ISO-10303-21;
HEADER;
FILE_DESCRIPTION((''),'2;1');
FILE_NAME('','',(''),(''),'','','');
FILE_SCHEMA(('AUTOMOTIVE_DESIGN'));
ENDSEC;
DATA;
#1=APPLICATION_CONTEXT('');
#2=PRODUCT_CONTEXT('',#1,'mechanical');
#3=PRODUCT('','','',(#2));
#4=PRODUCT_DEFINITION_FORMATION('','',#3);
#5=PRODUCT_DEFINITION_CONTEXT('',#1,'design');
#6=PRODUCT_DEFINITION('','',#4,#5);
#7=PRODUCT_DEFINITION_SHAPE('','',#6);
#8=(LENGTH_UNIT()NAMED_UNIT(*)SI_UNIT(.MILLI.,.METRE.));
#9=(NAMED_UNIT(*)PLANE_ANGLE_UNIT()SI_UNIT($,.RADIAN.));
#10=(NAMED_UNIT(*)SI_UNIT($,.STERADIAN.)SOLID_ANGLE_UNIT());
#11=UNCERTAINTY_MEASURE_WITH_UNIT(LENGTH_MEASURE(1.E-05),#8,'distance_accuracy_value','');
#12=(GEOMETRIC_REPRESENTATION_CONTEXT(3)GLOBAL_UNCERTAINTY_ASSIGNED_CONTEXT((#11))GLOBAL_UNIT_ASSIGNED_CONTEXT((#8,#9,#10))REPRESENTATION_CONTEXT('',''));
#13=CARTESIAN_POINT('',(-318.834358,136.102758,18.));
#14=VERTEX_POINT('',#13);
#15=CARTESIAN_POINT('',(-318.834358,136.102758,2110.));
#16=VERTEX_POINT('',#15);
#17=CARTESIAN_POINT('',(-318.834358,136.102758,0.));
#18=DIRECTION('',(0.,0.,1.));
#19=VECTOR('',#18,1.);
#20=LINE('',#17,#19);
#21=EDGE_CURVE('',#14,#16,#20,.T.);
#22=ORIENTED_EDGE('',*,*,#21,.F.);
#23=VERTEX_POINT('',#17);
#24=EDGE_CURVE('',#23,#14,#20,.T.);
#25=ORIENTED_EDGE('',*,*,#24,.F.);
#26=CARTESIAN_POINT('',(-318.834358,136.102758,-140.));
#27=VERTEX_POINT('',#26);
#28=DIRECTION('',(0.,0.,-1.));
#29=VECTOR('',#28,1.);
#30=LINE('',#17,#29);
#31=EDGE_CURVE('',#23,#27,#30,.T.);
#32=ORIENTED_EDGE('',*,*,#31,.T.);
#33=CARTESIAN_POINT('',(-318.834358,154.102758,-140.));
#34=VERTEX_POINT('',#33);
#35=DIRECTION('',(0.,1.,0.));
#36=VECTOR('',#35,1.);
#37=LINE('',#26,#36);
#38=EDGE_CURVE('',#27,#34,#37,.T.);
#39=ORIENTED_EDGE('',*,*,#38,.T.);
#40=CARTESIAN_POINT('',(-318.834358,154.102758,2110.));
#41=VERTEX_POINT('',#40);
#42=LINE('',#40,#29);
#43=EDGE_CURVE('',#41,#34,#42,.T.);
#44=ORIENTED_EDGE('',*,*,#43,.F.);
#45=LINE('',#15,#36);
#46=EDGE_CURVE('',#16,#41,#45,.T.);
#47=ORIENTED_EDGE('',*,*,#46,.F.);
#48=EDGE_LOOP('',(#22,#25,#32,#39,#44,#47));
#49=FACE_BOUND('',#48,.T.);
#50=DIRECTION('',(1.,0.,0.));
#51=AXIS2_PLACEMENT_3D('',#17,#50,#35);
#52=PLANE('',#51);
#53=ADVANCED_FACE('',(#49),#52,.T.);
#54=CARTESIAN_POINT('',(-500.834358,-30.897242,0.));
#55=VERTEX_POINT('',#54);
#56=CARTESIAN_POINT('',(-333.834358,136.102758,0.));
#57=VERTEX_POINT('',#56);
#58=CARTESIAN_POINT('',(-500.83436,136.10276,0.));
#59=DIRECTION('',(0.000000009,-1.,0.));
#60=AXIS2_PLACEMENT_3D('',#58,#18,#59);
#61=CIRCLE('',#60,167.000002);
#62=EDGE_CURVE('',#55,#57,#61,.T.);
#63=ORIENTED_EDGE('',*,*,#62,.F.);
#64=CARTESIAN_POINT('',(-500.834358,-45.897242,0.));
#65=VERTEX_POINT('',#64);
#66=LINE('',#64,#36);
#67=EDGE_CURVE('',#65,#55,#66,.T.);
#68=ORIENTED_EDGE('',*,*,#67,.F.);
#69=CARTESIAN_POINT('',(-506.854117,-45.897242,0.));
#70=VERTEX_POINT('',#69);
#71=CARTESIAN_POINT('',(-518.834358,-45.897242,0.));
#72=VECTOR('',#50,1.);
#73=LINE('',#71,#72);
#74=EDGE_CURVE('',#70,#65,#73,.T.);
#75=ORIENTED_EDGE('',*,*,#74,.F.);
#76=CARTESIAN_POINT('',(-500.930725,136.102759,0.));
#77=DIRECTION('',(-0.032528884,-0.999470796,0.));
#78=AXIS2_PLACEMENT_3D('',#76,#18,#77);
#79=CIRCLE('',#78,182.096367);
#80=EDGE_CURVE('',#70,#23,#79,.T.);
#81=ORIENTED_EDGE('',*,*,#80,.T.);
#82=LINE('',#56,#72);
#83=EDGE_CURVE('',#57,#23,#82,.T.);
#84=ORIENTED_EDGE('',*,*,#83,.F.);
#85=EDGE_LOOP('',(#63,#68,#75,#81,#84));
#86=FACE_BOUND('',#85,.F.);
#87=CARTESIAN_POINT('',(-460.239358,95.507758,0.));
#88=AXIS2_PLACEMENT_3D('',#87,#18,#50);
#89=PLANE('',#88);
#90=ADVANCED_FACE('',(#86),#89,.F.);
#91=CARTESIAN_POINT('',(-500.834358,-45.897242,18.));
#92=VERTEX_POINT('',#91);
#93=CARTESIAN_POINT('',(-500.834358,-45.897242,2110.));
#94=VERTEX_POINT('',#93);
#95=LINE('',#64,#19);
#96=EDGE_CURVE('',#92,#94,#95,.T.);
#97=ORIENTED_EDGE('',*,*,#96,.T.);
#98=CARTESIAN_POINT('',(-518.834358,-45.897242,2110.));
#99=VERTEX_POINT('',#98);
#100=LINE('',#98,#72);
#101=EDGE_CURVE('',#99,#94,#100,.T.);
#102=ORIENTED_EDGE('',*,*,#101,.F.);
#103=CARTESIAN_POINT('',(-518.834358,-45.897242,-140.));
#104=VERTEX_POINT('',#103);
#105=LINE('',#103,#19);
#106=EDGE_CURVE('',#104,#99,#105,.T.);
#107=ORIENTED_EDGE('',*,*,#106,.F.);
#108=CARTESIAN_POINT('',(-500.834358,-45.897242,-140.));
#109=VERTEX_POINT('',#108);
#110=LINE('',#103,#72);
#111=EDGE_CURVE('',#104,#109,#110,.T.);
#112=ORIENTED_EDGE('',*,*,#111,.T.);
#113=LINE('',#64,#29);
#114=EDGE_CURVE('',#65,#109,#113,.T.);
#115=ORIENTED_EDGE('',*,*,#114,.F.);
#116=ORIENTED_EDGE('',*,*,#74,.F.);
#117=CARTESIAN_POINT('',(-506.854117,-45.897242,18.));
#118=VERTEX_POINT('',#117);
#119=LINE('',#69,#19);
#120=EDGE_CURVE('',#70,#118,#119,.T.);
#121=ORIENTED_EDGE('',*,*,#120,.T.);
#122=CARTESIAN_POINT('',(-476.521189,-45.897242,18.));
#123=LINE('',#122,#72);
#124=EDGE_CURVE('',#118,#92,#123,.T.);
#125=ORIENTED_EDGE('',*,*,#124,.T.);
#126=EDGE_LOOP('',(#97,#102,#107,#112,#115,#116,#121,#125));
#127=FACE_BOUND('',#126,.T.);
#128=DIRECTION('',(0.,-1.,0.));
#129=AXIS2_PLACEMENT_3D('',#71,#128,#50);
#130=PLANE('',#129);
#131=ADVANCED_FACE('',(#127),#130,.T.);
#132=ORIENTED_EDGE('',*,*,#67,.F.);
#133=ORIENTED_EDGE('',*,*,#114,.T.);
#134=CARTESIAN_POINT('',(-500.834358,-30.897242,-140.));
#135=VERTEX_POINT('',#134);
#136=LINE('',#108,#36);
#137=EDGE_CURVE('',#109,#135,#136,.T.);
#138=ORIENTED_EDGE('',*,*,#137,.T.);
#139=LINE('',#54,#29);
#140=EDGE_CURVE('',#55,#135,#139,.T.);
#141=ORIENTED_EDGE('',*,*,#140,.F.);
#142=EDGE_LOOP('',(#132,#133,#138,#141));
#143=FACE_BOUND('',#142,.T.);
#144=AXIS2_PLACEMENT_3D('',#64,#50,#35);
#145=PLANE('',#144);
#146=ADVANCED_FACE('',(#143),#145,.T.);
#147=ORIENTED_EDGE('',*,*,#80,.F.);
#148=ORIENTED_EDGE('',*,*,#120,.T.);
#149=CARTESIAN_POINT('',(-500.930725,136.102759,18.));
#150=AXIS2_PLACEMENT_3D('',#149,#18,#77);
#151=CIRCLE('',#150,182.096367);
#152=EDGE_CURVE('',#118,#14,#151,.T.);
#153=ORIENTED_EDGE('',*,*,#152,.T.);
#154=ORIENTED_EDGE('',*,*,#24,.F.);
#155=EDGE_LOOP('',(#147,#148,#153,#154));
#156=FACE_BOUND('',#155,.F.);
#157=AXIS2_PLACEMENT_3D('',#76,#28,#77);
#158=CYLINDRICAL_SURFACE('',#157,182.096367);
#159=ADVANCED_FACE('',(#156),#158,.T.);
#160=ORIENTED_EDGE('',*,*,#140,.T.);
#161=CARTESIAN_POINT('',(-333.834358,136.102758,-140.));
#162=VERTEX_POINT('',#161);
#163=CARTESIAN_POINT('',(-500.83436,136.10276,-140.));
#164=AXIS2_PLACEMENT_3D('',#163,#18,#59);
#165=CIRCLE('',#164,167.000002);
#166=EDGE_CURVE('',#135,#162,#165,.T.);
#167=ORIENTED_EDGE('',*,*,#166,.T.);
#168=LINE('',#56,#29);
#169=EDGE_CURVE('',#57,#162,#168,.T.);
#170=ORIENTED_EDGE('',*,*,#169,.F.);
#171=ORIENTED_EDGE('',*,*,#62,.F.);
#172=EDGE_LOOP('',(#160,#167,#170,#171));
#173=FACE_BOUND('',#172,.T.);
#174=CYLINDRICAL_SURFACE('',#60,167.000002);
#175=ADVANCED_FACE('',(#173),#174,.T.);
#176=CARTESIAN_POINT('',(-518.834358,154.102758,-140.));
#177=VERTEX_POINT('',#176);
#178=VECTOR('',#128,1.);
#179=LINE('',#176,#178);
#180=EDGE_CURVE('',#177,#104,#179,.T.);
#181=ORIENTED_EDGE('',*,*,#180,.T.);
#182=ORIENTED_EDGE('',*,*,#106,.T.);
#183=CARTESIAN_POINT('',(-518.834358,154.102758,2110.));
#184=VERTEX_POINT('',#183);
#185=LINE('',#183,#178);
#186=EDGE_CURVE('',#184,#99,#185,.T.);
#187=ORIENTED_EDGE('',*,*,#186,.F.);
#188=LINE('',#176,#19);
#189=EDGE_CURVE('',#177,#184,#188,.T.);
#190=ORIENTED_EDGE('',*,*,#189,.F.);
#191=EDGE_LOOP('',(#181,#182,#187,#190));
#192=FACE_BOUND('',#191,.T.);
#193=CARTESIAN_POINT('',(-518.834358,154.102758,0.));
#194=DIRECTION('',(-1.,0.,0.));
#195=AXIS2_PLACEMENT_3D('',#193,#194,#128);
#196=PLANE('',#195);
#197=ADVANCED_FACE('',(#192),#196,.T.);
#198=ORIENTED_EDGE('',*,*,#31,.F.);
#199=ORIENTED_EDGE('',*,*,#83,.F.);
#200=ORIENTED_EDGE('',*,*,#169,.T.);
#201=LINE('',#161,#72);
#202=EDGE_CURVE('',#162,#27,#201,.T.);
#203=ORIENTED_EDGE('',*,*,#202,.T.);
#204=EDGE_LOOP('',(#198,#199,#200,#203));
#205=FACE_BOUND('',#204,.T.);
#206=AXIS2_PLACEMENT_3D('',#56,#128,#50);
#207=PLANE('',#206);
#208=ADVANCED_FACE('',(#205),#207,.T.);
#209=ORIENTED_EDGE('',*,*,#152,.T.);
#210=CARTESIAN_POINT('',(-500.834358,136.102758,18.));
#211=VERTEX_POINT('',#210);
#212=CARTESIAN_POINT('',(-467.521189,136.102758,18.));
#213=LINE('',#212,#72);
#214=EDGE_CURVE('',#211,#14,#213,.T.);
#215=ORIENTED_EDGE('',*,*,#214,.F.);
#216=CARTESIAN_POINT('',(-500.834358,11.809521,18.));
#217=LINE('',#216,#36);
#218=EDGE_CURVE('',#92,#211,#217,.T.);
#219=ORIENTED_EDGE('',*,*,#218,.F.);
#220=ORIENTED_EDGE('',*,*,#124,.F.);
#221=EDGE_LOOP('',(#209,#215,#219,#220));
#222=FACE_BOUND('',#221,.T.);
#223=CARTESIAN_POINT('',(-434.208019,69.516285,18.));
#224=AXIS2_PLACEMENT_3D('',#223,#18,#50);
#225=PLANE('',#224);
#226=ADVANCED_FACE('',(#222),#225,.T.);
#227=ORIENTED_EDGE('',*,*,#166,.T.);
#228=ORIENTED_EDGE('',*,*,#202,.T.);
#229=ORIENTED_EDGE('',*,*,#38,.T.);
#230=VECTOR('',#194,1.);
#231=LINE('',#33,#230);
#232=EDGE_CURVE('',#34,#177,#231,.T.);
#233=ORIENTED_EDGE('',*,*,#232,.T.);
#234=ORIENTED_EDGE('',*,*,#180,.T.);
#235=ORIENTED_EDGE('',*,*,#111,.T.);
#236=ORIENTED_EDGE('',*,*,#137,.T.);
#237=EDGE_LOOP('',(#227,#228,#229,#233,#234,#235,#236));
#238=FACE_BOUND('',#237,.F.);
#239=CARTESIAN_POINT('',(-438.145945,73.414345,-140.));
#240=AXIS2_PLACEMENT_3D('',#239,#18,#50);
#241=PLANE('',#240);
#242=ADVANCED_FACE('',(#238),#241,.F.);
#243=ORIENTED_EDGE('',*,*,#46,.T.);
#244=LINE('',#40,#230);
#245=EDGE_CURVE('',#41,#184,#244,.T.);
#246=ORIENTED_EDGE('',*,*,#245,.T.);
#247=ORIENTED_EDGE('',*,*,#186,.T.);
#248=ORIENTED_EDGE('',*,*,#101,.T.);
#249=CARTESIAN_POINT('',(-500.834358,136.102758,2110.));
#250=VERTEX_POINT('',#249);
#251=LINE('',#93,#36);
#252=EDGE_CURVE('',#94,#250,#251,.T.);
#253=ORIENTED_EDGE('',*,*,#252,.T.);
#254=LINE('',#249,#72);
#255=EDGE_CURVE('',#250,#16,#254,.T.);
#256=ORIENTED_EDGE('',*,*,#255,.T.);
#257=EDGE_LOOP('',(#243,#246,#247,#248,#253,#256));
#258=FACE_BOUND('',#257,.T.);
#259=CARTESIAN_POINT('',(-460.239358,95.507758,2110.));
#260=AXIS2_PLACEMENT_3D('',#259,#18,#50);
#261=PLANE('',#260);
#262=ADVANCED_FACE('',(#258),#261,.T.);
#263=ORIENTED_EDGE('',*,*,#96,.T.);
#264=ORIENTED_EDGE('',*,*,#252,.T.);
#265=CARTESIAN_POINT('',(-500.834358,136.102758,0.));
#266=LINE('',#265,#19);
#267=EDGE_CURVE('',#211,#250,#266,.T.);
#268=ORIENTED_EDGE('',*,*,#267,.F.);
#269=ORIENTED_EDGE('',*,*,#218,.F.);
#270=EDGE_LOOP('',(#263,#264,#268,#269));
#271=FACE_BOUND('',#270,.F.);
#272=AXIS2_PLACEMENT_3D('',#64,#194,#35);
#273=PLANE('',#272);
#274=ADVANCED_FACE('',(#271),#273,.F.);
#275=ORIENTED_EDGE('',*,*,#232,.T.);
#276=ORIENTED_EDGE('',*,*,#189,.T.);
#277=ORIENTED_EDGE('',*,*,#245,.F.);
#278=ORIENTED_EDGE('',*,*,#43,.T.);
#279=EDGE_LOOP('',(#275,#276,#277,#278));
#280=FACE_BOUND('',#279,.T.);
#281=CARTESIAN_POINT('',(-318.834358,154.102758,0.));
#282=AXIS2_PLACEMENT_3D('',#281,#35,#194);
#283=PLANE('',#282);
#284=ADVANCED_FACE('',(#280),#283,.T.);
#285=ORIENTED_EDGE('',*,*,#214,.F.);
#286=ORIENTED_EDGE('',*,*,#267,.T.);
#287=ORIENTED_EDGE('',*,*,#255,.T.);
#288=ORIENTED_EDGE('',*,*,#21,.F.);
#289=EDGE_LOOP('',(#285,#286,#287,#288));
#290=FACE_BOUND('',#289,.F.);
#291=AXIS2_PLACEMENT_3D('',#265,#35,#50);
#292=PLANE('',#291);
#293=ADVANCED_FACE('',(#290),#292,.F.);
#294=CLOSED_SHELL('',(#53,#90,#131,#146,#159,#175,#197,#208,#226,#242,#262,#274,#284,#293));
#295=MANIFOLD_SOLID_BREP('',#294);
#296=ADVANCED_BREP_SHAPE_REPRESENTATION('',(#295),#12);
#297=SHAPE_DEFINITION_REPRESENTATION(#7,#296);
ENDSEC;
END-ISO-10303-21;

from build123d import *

# Parameters (mm, degrees)
F1_DEPTH = 2110
F3_DEPTH = 18
F5_DEPTH = 140


with BuildPart() as f1:
    # F0 (on Top) → F1 (new body)
    with BuildSketch(Plane.XY):
        Polygon((-318.834358, 154.102758), (-518.834358, 154.102758), (-518.834358, -45.897242), (-500.834358, -45.897242), (-500.834358, 136.102758), (-336.834358, 136.102758), (-318.834358, 136.102758), align=None)
    extrude(amount=F1_DEPTH)

    # F2 (on Top) → F3 (join)
    with BuildSketch(Plane.XY):
        with BuildLine():
            Line((-318.834358, 154.102758), (-518.834358, 154.102758))
            Line((-518.834358, 154.102758), (-518.834358, -45.897242))
            Line((-518.834358, -45.897242), (-506.854117, -45.897242))
            ThreePointArc((-506.854117, -45.897242), (-374.280698, 5.263707), (-318.834358, 136.102758))
            Line((-318.834358, 136.102758), (-318.834358, 154.102758))
        make_face()
    extrude(amount=F3_DEPTH)

    # F4 (on Top) → F5 (join)
    with BuildSketch(Plane.XY):
        with BuildLine():
            Line((-318.834358, 154.102758), (-518.834358, 154.102758))
            Line((-518.834358, 154.102758), (-518.834358, -45.897242))
            Line((-518.834358, -45.897242), (-500.834358, -45.897242))
            Line((-500.834358, -45.897242), (-500.834358, -30.897242))
            ThreePointArc((-500.834358, -30.897242), (-382.747526, 18.015926), (-333.834358, 136.102758))
            Line((-333.834358, 136.102758), (-318.834358, 136.102758))
            Line((-318.834358, 136.102758), (-318.834358, 154.102758))
        make_face()
    extrude(amount=-F5_DEPTH)


solid = f1.part
